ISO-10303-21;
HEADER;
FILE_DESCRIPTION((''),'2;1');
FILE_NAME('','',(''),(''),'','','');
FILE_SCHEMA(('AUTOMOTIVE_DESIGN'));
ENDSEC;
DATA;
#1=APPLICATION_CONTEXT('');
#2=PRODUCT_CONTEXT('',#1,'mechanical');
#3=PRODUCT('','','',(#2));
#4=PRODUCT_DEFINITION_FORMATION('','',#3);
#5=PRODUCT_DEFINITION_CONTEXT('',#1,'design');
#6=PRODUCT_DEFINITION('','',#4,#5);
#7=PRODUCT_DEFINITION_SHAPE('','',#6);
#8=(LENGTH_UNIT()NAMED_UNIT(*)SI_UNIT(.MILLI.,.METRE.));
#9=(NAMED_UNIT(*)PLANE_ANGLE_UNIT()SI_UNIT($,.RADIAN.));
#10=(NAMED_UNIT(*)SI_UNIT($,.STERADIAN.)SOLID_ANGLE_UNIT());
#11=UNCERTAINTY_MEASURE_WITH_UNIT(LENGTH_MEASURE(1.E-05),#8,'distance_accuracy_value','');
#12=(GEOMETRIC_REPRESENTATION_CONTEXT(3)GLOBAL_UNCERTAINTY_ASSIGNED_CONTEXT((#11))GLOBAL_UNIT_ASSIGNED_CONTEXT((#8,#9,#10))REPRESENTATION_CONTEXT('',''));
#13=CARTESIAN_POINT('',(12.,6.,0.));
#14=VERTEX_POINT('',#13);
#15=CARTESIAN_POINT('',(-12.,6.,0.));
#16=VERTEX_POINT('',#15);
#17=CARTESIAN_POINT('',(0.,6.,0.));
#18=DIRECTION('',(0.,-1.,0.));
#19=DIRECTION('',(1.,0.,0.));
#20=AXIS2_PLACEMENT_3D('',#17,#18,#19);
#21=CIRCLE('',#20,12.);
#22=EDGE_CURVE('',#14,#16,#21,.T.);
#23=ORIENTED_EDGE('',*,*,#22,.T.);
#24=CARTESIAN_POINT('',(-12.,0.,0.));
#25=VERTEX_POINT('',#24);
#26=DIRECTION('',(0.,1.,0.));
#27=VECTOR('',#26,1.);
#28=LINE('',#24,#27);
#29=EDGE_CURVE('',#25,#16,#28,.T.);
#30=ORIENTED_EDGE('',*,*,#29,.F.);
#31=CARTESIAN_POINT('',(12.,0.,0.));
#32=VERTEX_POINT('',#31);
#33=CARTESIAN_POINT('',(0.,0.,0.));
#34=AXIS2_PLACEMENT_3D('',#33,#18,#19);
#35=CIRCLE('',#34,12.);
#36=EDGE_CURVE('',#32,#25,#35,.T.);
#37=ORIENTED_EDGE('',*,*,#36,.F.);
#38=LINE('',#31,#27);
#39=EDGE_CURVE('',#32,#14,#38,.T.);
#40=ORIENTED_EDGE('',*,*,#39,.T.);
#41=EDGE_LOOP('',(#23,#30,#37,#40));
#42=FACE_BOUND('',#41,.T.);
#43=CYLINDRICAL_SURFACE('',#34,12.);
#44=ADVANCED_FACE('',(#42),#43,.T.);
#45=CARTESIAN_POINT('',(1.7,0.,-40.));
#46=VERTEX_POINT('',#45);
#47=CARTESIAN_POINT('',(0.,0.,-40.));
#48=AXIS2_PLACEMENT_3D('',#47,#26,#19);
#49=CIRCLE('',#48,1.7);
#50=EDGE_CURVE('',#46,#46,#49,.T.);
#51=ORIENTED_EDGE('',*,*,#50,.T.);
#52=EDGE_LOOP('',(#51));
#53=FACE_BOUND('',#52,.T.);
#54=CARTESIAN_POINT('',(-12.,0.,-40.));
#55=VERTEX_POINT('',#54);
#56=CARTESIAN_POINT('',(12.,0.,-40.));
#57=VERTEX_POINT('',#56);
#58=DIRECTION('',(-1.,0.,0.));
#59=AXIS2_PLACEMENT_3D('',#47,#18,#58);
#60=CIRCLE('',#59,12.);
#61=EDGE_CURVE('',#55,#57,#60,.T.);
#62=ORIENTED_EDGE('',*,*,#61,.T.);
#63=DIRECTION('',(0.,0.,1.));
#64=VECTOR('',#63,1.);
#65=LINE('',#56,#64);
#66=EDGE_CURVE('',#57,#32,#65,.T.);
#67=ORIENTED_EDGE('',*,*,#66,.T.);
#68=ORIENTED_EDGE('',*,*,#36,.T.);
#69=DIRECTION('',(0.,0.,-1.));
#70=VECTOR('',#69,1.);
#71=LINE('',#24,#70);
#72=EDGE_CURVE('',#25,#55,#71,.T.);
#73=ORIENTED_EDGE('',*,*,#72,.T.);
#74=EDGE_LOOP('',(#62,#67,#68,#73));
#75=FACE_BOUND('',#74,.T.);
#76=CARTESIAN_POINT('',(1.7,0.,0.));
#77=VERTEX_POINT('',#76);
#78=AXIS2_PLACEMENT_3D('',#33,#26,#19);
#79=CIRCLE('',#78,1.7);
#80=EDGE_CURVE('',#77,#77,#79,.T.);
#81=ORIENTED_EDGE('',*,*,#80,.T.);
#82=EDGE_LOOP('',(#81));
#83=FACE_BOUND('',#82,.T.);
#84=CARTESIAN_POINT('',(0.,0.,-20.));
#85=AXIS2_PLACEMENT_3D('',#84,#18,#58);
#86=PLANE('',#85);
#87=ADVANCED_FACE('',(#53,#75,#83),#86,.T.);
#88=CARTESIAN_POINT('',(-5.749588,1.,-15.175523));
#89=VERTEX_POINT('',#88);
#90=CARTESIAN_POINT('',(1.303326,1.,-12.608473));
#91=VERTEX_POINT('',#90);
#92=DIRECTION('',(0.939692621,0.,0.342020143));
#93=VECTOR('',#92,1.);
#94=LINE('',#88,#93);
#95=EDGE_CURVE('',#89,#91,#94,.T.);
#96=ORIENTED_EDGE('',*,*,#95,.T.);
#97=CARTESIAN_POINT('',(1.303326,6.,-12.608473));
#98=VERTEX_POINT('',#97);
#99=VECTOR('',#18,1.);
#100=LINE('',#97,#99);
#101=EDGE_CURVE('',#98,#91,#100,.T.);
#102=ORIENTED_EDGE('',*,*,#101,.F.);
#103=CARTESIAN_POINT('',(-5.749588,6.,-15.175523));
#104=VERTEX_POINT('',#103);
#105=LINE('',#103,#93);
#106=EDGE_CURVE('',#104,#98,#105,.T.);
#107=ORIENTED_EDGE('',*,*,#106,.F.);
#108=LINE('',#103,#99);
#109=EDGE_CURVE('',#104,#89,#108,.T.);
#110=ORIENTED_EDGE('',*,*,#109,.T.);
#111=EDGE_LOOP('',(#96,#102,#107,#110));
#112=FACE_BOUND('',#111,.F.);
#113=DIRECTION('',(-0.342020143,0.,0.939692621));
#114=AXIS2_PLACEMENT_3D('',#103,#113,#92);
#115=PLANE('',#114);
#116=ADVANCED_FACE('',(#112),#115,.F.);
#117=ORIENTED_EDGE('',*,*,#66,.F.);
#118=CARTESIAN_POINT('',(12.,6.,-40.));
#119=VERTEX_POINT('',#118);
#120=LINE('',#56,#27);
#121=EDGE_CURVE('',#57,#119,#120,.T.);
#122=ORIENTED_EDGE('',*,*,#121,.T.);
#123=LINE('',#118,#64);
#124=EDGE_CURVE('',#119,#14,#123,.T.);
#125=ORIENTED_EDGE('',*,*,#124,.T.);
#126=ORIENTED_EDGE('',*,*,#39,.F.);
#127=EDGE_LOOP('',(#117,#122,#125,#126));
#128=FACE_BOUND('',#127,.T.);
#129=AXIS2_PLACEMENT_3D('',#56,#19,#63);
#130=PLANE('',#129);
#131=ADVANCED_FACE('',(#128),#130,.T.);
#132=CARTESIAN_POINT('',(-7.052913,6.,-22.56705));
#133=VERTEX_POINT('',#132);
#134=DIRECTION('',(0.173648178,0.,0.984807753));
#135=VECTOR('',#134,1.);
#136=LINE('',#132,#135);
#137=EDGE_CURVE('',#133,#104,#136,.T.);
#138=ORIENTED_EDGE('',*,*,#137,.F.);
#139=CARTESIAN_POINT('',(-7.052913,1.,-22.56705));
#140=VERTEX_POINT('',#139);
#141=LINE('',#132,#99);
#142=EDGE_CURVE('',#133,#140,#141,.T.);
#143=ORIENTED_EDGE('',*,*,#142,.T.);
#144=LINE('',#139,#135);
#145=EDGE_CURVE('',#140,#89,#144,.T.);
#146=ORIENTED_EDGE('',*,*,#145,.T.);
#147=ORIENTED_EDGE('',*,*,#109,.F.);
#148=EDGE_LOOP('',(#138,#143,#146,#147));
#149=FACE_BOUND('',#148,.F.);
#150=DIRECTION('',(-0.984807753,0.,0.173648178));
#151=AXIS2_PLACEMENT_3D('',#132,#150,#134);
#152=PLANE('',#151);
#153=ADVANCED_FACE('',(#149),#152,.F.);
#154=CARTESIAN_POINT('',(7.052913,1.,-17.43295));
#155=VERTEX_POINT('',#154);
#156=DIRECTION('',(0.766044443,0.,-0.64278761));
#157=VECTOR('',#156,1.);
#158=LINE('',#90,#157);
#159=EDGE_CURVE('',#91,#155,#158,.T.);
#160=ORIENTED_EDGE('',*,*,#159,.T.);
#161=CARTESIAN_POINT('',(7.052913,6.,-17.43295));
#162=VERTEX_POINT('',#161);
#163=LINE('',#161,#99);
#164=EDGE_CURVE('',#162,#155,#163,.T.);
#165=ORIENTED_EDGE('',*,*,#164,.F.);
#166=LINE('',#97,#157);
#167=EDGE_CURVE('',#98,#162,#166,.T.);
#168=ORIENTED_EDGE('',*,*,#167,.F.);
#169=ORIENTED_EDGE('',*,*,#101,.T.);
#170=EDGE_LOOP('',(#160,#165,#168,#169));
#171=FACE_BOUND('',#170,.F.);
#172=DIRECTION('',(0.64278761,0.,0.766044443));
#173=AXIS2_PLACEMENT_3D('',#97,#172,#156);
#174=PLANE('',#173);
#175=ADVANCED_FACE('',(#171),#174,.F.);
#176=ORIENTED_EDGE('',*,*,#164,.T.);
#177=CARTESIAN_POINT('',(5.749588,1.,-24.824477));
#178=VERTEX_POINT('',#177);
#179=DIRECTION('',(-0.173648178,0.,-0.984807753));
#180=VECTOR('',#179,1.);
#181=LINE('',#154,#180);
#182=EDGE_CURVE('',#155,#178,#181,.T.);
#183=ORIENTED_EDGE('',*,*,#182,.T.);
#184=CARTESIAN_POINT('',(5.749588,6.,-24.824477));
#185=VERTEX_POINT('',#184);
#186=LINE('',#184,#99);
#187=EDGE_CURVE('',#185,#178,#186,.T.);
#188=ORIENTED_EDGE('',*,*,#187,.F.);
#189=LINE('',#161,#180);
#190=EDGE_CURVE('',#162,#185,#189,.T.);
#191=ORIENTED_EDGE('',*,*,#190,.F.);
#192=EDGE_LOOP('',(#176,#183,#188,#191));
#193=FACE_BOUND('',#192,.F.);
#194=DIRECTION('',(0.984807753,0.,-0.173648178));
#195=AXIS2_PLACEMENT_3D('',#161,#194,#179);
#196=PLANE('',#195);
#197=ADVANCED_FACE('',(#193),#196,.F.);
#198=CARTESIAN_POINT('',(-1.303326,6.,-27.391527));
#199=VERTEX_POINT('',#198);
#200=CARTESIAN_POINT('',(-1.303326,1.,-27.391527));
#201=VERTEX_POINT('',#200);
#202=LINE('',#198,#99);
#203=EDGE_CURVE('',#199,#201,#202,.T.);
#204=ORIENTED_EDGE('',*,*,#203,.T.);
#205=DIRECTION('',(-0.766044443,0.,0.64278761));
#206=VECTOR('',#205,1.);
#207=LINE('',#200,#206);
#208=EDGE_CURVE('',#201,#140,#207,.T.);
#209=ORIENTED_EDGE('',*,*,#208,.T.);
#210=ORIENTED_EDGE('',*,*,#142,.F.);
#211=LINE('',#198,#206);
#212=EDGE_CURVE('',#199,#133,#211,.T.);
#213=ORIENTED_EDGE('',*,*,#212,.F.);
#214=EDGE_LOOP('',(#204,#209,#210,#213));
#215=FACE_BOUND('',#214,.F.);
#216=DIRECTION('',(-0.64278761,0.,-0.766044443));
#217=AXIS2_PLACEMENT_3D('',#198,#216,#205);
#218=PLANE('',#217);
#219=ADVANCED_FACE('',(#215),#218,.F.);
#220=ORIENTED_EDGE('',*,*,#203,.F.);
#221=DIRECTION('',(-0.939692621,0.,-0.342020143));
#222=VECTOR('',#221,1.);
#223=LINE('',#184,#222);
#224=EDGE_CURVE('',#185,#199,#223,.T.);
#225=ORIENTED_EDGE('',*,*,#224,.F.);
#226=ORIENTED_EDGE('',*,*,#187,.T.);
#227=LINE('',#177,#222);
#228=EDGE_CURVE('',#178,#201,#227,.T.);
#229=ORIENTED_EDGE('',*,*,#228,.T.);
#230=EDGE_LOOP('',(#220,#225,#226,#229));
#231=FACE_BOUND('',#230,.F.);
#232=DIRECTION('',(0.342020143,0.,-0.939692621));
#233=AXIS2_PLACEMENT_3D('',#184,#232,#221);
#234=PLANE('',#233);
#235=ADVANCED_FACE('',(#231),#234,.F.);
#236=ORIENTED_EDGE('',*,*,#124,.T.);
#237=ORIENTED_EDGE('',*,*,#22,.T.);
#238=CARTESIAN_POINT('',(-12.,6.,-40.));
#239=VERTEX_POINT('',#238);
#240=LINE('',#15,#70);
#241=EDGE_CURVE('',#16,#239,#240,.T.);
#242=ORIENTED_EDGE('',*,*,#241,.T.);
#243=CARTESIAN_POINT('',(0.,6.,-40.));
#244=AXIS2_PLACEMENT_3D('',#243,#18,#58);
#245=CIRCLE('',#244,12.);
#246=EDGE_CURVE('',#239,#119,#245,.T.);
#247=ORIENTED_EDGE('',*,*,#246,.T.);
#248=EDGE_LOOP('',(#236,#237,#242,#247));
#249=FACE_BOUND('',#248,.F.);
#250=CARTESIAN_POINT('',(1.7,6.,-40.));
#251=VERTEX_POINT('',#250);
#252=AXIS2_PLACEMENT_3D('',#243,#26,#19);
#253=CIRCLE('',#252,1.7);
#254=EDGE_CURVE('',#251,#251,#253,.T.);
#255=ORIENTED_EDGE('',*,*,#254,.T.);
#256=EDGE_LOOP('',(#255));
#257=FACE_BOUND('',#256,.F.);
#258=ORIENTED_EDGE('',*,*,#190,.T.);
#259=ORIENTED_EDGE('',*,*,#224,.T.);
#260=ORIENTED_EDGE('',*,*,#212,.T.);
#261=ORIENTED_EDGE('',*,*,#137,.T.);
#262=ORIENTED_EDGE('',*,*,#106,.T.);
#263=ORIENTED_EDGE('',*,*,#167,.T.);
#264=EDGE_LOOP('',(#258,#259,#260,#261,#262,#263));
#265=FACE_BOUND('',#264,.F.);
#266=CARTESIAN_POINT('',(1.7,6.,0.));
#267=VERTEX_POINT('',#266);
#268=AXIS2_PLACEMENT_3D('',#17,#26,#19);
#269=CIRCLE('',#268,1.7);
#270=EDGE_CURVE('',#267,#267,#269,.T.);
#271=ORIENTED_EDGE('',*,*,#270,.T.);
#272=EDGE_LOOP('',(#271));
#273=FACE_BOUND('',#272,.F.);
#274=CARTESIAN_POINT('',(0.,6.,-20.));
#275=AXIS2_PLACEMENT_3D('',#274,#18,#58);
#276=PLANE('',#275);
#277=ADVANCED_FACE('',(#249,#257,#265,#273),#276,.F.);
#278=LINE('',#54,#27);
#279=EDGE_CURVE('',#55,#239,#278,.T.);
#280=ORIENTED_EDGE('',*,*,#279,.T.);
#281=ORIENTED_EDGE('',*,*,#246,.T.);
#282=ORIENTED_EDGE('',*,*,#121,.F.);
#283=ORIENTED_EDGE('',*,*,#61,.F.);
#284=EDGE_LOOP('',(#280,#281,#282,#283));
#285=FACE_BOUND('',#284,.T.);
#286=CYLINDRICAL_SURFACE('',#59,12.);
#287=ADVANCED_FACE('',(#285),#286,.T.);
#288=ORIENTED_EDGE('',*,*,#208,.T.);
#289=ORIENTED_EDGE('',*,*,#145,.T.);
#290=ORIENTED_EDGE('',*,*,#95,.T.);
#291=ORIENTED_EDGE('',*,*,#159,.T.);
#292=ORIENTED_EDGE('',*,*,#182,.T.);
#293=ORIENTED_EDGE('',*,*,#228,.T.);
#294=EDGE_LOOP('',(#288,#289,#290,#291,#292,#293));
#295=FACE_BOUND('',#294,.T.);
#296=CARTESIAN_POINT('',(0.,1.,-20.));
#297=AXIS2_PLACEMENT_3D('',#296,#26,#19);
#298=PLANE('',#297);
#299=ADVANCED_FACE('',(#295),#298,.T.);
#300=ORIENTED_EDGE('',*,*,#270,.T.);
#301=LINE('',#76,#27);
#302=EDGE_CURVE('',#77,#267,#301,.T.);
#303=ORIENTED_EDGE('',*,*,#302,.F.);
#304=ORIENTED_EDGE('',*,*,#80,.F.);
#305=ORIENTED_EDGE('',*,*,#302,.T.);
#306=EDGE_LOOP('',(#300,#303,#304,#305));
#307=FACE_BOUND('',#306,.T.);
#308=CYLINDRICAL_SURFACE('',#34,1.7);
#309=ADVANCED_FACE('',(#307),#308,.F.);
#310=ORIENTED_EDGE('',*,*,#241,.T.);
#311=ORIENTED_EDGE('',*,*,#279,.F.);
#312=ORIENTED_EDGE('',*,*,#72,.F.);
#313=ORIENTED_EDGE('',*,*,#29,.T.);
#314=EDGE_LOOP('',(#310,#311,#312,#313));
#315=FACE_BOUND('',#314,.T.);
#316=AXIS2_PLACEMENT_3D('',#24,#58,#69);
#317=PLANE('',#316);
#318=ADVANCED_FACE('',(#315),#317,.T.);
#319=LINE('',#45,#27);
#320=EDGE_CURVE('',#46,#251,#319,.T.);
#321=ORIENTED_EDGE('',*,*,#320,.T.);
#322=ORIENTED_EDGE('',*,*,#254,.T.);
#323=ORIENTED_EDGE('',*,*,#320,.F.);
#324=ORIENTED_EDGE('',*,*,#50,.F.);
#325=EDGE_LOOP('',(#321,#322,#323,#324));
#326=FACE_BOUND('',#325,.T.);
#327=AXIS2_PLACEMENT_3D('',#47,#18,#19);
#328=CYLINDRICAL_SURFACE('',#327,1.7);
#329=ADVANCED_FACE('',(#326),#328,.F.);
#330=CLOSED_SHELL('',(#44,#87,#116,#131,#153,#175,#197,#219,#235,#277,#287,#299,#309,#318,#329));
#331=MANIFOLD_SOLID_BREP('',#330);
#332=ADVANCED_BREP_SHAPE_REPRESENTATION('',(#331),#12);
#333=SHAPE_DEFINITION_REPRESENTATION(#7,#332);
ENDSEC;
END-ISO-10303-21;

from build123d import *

# Parameters (mm, degrees)
SKETCH1_R           = 1.7
BOSS_EXTRUDE1_DEPTH = 6
CUT_EXTRUDE1_DEPTH  = 5


with BuildPart() as part:
    # Sketch1 → Boss-Extrude1 (new body)
    with BuildSketch(Plane(origin=(0, 0, 0), x_dir=(1, 0, 0), z_dir=(0, 1, 0))):
        with BuildLine():
            Line((-12, 0), (-12, 40))
            ThreePointArc((-12, 40), (0, 52), (12, 40))
            Line((12, 40), (12, 0))
            ThreePointArc((12, 0), (0, -12), (-12, 0))
        make_face()
        with Locations((0, 40)):
            Circle(SKETCH1_R, mode=Mode.SUBTRACT)
        Circle(SKETCH1_R, mode=Mode.SUBTRACT)
    extrude(amount=BOSS_EXTRUDE1_DEPTH)

    # Sketch2 → Cut-Extrude1 (cut)
    with BuildSketch(Plane(origin=(0, 6, 0), x_dir=(1, 0, 0), z_dir=(0, 1, 0))):
        Polygon((1.303325688, 12.608472723), (7.052913238, 17.432949516), (5.749587551, 24.824476793), (-1.303325688, 27.391527277), (-7.052913238, 22.567050484), (-5.749587551, 15.175523207), align=None)
    extrude(amount=-CUT_EXTRUDE1_DEPTH, mode=Mode.SUBTRACT)


solid = part.part
